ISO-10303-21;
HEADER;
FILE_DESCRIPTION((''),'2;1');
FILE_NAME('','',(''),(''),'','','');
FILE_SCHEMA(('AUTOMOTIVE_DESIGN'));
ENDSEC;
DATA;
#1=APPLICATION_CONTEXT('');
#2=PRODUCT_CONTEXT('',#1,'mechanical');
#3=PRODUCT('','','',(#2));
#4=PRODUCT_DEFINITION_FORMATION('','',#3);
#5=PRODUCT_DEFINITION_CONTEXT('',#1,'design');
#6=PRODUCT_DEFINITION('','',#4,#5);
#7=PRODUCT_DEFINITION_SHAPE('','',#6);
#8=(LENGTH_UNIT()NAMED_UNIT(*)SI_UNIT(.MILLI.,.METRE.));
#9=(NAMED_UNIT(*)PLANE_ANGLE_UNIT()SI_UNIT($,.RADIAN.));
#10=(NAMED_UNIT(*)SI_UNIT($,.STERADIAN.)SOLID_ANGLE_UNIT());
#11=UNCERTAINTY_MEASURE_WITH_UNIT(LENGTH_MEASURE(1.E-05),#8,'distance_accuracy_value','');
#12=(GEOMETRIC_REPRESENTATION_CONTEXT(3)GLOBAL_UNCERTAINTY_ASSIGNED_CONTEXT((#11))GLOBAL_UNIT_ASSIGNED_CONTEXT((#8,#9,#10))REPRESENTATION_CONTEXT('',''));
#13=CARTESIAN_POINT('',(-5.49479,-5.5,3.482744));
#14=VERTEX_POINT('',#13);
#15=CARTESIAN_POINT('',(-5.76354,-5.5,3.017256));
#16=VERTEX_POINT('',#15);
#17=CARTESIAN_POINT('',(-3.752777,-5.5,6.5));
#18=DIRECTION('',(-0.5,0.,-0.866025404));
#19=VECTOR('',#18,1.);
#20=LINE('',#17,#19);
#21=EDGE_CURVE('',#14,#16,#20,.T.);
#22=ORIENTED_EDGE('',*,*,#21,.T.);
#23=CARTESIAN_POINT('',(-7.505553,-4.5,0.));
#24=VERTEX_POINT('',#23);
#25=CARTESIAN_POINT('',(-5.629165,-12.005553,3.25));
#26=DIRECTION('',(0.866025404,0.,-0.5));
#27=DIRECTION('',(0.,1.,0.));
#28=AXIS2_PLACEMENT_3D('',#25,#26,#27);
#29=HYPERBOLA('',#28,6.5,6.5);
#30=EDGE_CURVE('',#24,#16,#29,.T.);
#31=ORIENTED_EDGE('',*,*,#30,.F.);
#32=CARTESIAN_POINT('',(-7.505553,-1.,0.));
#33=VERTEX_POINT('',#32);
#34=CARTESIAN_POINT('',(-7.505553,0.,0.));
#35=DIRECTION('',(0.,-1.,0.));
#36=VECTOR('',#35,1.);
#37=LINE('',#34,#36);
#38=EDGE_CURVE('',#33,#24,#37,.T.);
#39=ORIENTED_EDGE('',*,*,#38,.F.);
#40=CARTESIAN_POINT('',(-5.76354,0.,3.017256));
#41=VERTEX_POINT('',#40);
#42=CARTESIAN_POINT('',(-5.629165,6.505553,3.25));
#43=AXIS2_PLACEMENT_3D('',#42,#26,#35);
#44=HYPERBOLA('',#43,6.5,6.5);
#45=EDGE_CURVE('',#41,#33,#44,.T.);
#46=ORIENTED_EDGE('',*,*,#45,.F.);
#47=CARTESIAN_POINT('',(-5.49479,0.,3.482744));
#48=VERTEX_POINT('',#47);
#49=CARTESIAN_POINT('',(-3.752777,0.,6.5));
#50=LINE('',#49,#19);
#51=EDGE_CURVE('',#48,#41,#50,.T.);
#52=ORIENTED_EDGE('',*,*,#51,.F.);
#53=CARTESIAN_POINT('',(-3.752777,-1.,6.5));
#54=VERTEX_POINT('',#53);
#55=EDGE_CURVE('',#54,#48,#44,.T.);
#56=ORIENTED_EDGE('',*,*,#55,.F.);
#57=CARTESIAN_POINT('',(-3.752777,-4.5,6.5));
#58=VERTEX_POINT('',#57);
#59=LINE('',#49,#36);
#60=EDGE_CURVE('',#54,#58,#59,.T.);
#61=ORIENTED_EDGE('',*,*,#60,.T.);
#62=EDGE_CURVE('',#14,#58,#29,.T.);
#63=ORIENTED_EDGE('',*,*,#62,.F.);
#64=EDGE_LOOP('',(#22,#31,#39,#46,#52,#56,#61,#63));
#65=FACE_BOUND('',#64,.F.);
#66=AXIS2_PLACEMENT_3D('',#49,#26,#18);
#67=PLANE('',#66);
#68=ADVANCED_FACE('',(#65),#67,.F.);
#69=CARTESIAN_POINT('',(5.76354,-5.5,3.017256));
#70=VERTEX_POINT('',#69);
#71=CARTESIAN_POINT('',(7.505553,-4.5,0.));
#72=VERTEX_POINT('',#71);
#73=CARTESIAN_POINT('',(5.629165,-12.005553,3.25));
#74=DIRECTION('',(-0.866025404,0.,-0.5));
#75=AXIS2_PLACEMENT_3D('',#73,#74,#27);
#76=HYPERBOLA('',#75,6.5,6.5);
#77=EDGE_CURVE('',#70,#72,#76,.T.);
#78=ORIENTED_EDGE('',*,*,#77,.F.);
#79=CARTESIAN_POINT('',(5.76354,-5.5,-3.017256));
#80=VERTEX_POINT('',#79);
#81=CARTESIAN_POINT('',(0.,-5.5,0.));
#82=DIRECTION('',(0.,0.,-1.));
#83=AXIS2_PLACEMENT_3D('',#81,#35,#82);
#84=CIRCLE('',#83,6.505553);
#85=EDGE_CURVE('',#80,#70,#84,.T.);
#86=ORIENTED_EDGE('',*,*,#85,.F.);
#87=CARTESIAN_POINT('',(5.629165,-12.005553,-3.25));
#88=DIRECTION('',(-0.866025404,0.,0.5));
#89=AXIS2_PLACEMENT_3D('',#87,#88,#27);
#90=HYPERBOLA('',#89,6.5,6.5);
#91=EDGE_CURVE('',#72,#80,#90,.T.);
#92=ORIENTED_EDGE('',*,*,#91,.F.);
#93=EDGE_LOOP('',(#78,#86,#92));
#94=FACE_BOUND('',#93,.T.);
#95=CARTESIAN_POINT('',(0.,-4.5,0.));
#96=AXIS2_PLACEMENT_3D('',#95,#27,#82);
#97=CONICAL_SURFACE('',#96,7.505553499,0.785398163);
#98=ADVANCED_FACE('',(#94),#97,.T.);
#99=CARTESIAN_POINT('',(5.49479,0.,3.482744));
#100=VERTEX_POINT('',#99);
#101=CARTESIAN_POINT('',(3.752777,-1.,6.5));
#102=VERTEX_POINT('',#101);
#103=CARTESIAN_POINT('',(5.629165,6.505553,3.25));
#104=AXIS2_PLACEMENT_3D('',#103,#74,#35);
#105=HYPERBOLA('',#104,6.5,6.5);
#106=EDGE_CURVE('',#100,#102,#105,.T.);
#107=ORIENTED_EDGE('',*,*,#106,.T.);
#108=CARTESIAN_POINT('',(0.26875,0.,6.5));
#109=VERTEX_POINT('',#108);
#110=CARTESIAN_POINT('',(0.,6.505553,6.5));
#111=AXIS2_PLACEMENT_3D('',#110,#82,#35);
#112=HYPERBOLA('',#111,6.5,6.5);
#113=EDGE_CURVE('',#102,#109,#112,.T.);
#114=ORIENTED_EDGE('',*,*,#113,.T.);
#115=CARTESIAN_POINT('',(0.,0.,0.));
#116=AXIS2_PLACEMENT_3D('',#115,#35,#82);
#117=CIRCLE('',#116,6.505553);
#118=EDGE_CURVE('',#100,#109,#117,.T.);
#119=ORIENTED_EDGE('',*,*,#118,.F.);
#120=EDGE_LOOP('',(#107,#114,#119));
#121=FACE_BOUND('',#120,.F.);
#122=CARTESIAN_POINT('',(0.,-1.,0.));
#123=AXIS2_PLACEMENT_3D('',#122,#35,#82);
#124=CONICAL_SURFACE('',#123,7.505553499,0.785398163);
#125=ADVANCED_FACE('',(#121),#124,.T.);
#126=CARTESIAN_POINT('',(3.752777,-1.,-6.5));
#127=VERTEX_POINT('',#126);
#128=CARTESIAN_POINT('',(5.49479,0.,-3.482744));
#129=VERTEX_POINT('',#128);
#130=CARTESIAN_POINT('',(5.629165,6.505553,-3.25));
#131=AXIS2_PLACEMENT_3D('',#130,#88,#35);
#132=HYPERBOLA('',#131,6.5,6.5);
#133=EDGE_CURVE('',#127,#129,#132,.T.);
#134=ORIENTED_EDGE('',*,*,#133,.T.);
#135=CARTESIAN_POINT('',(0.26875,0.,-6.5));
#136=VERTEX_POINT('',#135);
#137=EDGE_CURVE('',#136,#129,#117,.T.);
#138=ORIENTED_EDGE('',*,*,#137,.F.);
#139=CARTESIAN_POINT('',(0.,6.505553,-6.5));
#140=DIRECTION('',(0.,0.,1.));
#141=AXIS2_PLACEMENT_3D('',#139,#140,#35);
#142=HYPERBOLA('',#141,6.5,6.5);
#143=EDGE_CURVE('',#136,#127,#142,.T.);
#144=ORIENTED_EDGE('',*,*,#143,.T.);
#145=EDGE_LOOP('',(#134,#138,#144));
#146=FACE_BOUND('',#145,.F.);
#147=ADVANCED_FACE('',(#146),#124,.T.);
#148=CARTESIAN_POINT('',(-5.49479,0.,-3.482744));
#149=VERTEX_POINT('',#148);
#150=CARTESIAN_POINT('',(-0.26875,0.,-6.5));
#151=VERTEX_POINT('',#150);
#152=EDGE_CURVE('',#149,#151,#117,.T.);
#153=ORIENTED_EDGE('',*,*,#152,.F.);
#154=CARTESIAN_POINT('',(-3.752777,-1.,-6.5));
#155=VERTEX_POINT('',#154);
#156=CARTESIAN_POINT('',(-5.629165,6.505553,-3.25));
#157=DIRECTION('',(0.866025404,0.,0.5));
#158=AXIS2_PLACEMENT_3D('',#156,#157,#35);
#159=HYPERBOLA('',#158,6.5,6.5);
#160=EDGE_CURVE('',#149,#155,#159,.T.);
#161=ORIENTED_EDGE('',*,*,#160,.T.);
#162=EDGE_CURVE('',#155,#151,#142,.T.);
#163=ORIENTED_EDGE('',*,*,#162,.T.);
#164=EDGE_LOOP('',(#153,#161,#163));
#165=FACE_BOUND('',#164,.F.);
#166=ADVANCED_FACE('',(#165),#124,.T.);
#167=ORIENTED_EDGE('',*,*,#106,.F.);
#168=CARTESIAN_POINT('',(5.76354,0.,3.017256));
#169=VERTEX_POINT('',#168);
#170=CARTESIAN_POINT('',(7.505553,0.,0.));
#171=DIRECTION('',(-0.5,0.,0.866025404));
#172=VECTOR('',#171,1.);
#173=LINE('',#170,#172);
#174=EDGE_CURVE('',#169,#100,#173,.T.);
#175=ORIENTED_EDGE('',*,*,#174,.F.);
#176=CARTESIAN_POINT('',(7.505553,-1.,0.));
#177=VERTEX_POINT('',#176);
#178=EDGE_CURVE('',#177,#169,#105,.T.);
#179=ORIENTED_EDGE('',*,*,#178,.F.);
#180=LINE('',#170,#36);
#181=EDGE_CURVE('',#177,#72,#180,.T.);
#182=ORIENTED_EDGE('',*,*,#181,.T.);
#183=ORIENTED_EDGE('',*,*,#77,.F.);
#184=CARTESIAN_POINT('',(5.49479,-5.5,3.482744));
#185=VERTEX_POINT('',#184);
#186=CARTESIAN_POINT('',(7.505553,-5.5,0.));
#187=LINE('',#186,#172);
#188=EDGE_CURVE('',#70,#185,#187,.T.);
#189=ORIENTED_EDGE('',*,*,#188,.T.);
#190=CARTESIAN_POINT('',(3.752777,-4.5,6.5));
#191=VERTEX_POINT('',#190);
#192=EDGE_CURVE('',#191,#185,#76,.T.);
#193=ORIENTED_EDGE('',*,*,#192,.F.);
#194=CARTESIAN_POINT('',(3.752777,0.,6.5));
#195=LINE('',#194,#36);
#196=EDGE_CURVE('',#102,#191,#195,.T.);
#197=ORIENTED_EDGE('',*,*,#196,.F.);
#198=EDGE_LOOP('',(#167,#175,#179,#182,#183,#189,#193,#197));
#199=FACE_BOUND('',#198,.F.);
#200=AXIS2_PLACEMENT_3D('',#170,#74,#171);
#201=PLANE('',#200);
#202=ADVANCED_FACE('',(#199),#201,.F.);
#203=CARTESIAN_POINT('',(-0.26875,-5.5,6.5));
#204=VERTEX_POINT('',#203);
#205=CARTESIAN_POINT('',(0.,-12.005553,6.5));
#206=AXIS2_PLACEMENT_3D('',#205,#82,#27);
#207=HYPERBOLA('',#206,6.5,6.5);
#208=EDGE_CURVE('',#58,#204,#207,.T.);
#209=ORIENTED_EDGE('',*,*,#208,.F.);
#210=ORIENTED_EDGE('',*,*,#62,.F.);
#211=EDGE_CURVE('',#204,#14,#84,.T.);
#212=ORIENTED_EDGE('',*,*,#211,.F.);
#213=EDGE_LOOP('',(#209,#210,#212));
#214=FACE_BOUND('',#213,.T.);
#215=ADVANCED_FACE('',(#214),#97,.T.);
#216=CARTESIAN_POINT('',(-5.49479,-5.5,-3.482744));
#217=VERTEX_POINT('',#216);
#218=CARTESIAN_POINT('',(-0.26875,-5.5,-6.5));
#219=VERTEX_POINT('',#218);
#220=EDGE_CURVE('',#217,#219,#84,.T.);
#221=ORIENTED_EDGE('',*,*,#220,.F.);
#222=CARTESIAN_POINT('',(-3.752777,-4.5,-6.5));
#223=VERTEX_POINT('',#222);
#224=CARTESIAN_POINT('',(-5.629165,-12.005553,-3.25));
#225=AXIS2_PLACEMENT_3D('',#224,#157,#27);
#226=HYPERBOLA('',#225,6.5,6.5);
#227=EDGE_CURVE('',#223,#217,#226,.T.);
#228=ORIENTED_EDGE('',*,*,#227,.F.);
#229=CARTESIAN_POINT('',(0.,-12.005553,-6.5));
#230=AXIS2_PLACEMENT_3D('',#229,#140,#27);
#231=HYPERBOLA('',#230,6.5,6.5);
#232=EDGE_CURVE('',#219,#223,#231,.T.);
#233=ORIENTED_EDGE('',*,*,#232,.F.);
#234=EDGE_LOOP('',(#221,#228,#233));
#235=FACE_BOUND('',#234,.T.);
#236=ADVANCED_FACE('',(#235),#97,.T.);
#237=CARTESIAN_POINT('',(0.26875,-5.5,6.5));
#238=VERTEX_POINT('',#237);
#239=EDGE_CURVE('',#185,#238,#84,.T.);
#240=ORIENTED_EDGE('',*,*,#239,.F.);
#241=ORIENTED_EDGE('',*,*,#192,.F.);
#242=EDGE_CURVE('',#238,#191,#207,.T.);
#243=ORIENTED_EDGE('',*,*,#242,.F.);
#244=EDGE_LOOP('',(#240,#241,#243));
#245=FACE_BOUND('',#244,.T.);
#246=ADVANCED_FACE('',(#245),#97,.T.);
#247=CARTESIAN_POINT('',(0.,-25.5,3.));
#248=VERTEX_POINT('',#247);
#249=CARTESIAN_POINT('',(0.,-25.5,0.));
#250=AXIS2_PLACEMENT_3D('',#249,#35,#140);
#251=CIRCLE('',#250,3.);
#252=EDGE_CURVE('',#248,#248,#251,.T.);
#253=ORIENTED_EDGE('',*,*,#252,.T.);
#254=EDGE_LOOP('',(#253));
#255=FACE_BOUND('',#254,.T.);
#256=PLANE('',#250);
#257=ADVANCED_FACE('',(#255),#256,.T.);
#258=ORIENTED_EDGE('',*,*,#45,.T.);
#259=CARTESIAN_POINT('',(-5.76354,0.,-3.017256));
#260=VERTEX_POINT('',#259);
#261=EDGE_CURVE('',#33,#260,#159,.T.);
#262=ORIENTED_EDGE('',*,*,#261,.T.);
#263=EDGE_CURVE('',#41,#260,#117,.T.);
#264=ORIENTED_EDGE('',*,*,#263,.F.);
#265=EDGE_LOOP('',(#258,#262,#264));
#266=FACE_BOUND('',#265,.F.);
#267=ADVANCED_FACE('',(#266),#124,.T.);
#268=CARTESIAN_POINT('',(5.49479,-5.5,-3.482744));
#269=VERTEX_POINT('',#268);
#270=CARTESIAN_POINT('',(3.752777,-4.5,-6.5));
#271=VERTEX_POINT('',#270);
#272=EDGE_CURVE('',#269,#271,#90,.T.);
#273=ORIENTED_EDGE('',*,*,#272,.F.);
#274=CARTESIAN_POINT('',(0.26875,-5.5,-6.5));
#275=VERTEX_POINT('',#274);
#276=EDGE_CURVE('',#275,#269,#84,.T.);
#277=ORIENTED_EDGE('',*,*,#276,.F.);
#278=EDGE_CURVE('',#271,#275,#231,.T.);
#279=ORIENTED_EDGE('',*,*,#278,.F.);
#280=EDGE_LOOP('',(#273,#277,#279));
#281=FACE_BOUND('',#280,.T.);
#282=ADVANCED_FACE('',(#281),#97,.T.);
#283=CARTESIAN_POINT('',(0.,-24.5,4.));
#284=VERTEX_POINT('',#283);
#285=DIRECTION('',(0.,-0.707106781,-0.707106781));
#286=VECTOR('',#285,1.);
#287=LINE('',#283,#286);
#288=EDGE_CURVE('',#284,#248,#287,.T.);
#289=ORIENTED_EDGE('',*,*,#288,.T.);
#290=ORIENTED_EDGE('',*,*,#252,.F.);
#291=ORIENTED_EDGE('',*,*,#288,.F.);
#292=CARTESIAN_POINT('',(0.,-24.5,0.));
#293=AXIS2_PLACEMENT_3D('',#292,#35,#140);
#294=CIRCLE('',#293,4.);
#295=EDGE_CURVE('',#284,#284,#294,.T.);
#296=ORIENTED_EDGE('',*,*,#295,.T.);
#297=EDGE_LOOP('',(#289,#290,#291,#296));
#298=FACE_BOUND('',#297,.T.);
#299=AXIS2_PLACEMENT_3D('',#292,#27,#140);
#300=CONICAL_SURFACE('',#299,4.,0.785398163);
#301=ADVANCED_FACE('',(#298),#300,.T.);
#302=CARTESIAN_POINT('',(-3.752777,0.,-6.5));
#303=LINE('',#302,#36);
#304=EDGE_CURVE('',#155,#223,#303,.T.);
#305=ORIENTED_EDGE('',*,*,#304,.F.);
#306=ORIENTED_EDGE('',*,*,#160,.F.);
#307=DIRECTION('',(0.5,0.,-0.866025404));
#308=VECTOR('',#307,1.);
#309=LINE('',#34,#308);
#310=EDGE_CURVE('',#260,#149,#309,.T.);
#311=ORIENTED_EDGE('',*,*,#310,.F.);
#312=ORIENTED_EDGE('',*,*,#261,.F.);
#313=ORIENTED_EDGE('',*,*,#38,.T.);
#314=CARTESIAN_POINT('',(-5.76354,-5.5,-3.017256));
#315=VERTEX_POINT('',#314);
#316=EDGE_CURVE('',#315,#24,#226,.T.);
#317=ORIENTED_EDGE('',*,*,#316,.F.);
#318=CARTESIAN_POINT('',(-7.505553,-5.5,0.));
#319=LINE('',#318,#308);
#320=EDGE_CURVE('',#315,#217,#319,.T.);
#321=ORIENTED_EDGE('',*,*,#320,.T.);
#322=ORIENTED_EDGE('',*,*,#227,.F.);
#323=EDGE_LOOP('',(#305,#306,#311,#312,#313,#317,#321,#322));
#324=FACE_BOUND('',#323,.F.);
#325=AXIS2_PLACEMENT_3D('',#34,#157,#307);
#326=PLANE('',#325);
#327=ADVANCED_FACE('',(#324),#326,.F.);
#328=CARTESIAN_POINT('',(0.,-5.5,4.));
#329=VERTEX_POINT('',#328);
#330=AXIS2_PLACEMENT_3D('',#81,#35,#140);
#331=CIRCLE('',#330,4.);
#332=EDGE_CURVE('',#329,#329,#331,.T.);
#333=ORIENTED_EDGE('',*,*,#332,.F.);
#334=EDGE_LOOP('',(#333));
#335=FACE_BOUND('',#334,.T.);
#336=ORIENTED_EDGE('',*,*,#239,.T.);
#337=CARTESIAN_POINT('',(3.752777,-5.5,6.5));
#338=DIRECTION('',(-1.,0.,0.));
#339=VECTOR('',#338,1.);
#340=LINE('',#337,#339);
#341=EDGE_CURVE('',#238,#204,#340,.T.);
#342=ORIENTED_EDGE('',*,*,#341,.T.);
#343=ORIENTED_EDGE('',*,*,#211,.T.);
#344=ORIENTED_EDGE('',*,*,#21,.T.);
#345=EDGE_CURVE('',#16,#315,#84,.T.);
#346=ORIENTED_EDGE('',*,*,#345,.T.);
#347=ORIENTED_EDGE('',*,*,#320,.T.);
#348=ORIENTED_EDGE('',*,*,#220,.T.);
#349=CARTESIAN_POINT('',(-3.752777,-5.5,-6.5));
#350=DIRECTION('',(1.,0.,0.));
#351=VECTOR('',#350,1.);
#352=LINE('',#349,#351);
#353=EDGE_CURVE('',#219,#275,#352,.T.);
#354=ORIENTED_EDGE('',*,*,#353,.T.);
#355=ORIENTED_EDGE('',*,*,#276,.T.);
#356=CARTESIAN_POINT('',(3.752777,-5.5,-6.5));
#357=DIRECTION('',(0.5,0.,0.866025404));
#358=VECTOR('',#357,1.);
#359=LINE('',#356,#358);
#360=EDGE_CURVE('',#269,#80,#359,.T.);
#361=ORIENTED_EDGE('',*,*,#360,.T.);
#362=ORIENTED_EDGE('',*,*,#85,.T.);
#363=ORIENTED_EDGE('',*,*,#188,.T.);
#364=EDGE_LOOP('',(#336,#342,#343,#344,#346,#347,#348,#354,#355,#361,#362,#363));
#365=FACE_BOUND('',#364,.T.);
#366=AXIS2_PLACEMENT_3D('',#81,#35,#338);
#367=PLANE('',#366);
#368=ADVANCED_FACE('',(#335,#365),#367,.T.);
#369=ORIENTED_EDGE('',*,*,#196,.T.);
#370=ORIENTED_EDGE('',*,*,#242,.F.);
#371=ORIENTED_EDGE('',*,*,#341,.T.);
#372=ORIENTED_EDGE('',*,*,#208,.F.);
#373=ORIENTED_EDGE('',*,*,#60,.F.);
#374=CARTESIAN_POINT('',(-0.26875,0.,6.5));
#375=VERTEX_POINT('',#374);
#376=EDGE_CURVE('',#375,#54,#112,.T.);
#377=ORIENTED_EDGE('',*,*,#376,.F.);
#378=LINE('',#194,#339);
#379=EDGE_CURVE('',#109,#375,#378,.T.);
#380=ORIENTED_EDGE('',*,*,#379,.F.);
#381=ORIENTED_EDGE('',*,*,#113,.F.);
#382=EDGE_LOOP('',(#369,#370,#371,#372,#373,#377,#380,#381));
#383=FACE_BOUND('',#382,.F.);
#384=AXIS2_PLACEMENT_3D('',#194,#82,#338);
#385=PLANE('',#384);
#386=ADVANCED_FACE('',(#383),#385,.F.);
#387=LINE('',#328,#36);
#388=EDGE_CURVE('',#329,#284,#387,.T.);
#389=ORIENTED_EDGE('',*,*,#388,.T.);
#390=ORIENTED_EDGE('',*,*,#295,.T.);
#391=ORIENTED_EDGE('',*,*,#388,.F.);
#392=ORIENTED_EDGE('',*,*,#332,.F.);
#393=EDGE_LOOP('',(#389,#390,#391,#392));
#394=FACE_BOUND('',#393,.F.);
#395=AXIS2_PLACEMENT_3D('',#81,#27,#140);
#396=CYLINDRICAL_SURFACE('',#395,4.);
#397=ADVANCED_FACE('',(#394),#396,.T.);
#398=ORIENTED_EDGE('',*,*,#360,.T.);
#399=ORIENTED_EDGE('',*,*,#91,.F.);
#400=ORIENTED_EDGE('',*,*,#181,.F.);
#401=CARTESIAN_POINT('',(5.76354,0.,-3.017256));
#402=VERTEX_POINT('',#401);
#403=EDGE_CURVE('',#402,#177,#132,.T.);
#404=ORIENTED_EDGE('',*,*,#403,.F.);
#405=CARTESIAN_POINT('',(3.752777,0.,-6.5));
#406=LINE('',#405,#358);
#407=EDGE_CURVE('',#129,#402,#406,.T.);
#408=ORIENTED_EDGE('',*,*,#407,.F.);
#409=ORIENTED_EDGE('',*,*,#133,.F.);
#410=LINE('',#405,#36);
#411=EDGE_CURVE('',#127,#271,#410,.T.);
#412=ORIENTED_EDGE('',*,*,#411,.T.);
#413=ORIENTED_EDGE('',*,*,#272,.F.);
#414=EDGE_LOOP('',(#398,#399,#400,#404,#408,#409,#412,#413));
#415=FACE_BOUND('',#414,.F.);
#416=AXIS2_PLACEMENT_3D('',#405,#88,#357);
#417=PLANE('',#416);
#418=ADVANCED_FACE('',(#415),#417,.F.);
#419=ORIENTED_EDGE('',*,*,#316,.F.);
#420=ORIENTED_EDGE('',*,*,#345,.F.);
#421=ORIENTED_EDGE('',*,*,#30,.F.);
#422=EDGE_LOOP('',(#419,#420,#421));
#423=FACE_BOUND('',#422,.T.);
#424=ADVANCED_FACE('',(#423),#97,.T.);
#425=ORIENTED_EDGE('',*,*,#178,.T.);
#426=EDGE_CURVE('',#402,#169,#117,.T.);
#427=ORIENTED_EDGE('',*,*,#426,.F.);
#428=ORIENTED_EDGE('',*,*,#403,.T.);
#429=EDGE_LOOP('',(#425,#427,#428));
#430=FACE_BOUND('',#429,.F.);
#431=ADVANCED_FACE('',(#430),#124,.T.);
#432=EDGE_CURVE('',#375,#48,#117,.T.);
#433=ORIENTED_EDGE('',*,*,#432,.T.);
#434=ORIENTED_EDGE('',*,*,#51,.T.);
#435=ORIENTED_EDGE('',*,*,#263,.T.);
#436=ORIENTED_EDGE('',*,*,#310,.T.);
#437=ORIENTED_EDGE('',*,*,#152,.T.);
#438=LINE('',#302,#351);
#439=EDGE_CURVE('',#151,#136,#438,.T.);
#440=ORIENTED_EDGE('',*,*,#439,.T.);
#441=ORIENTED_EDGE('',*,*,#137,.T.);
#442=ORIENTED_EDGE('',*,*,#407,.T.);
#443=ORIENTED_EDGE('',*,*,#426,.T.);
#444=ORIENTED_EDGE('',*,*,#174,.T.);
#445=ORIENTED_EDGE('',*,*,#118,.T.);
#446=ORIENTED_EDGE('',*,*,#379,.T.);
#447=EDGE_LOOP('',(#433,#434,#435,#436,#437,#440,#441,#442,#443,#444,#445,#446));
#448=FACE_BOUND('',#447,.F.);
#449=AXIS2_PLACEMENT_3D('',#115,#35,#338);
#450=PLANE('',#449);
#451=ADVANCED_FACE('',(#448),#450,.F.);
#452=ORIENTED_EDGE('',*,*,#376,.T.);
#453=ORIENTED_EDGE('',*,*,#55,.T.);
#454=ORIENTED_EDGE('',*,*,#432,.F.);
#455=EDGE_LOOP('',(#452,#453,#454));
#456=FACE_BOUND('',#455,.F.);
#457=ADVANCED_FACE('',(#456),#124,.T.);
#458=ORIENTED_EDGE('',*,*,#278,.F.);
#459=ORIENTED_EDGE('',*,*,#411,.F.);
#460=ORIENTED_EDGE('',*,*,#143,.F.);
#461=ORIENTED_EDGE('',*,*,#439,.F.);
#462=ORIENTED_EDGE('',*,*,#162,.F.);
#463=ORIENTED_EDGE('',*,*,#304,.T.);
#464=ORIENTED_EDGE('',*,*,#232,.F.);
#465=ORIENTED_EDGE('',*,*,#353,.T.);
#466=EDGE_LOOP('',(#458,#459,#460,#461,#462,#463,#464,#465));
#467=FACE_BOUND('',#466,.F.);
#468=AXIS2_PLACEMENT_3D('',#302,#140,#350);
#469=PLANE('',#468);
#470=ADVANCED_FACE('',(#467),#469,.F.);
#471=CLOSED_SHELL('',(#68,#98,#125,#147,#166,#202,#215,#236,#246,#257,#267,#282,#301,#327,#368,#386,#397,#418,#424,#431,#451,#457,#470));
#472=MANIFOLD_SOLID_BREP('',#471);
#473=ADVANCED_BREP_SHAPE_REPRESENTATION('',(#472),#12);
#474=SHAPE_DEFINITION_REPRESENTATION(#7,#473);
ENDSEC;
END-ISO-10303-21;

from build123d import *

# Parameters (mm, degrees)
EXTRUDE_1_DEPTH = 5.5
SKETCH_5_R      = 4
EXTRUDE_2_DEPTH = 20
CHAMFER_1_SIZE  = 1


with BuildPart() as part:
    # Эскиз1 → Вытянуть1 (new body)
    with BuildSketch(Plane(origin=(0, 0, 0), x_dir=(1, 0, 0), z_dir=(0, 1, 0))):
        Polygon((-3.75277675, 6.5), (3.75277675, 6.5), (7.505553499, 0), (3.75277675, -6.5), (-3.75277675, -6.5), (-7.505553499, 0), align=None)
    extrude(amount=-EXTRUDE_1_DEPTH)

    # Эскиз5 → Вытянуть2 (add)
    with BuildSketch(Plane.XZ.offset(5.5)):
        with Locations(Location((0, 0, 0), (0, 0, 90))):
            Circle(SKETCH_5_R)
    extrude(amount=EXTRUDE_2_DEPTH)

    # Фаска1
    chamfer_1_edges = [part.edges().sort_by_distance(p)[0] for p in [
        (0, -25.5, -4),
    ]]
    chamfer(chamfer_1_edges, length=CHAMFER_1_SIZE)

    # Эскиз4 → Вырез-Повернуть1 (revolve, cut)
    with BuildSketch(Plane.XY, mode=Mode.PRIVATE) as cut_revolve_1_sk:
        Polygon((-7.505553499, -1), (-6.505553499, 0), (-7.505553499, 0), align=None)
        Polygon((-7.505553499, -4.5), (-6.505553499, -5.5), (-7.505553499, -5.5), align=None)
    revolve(cut_revolve_1_sk.sketch.rotate(Axis((0, -5.5, 0), (0, -1, 0)), 90), axis=Axis((0, -5.5, 0), (0, -1, 0)), mode=Mode.SUBTRACT)


solid = part.part
